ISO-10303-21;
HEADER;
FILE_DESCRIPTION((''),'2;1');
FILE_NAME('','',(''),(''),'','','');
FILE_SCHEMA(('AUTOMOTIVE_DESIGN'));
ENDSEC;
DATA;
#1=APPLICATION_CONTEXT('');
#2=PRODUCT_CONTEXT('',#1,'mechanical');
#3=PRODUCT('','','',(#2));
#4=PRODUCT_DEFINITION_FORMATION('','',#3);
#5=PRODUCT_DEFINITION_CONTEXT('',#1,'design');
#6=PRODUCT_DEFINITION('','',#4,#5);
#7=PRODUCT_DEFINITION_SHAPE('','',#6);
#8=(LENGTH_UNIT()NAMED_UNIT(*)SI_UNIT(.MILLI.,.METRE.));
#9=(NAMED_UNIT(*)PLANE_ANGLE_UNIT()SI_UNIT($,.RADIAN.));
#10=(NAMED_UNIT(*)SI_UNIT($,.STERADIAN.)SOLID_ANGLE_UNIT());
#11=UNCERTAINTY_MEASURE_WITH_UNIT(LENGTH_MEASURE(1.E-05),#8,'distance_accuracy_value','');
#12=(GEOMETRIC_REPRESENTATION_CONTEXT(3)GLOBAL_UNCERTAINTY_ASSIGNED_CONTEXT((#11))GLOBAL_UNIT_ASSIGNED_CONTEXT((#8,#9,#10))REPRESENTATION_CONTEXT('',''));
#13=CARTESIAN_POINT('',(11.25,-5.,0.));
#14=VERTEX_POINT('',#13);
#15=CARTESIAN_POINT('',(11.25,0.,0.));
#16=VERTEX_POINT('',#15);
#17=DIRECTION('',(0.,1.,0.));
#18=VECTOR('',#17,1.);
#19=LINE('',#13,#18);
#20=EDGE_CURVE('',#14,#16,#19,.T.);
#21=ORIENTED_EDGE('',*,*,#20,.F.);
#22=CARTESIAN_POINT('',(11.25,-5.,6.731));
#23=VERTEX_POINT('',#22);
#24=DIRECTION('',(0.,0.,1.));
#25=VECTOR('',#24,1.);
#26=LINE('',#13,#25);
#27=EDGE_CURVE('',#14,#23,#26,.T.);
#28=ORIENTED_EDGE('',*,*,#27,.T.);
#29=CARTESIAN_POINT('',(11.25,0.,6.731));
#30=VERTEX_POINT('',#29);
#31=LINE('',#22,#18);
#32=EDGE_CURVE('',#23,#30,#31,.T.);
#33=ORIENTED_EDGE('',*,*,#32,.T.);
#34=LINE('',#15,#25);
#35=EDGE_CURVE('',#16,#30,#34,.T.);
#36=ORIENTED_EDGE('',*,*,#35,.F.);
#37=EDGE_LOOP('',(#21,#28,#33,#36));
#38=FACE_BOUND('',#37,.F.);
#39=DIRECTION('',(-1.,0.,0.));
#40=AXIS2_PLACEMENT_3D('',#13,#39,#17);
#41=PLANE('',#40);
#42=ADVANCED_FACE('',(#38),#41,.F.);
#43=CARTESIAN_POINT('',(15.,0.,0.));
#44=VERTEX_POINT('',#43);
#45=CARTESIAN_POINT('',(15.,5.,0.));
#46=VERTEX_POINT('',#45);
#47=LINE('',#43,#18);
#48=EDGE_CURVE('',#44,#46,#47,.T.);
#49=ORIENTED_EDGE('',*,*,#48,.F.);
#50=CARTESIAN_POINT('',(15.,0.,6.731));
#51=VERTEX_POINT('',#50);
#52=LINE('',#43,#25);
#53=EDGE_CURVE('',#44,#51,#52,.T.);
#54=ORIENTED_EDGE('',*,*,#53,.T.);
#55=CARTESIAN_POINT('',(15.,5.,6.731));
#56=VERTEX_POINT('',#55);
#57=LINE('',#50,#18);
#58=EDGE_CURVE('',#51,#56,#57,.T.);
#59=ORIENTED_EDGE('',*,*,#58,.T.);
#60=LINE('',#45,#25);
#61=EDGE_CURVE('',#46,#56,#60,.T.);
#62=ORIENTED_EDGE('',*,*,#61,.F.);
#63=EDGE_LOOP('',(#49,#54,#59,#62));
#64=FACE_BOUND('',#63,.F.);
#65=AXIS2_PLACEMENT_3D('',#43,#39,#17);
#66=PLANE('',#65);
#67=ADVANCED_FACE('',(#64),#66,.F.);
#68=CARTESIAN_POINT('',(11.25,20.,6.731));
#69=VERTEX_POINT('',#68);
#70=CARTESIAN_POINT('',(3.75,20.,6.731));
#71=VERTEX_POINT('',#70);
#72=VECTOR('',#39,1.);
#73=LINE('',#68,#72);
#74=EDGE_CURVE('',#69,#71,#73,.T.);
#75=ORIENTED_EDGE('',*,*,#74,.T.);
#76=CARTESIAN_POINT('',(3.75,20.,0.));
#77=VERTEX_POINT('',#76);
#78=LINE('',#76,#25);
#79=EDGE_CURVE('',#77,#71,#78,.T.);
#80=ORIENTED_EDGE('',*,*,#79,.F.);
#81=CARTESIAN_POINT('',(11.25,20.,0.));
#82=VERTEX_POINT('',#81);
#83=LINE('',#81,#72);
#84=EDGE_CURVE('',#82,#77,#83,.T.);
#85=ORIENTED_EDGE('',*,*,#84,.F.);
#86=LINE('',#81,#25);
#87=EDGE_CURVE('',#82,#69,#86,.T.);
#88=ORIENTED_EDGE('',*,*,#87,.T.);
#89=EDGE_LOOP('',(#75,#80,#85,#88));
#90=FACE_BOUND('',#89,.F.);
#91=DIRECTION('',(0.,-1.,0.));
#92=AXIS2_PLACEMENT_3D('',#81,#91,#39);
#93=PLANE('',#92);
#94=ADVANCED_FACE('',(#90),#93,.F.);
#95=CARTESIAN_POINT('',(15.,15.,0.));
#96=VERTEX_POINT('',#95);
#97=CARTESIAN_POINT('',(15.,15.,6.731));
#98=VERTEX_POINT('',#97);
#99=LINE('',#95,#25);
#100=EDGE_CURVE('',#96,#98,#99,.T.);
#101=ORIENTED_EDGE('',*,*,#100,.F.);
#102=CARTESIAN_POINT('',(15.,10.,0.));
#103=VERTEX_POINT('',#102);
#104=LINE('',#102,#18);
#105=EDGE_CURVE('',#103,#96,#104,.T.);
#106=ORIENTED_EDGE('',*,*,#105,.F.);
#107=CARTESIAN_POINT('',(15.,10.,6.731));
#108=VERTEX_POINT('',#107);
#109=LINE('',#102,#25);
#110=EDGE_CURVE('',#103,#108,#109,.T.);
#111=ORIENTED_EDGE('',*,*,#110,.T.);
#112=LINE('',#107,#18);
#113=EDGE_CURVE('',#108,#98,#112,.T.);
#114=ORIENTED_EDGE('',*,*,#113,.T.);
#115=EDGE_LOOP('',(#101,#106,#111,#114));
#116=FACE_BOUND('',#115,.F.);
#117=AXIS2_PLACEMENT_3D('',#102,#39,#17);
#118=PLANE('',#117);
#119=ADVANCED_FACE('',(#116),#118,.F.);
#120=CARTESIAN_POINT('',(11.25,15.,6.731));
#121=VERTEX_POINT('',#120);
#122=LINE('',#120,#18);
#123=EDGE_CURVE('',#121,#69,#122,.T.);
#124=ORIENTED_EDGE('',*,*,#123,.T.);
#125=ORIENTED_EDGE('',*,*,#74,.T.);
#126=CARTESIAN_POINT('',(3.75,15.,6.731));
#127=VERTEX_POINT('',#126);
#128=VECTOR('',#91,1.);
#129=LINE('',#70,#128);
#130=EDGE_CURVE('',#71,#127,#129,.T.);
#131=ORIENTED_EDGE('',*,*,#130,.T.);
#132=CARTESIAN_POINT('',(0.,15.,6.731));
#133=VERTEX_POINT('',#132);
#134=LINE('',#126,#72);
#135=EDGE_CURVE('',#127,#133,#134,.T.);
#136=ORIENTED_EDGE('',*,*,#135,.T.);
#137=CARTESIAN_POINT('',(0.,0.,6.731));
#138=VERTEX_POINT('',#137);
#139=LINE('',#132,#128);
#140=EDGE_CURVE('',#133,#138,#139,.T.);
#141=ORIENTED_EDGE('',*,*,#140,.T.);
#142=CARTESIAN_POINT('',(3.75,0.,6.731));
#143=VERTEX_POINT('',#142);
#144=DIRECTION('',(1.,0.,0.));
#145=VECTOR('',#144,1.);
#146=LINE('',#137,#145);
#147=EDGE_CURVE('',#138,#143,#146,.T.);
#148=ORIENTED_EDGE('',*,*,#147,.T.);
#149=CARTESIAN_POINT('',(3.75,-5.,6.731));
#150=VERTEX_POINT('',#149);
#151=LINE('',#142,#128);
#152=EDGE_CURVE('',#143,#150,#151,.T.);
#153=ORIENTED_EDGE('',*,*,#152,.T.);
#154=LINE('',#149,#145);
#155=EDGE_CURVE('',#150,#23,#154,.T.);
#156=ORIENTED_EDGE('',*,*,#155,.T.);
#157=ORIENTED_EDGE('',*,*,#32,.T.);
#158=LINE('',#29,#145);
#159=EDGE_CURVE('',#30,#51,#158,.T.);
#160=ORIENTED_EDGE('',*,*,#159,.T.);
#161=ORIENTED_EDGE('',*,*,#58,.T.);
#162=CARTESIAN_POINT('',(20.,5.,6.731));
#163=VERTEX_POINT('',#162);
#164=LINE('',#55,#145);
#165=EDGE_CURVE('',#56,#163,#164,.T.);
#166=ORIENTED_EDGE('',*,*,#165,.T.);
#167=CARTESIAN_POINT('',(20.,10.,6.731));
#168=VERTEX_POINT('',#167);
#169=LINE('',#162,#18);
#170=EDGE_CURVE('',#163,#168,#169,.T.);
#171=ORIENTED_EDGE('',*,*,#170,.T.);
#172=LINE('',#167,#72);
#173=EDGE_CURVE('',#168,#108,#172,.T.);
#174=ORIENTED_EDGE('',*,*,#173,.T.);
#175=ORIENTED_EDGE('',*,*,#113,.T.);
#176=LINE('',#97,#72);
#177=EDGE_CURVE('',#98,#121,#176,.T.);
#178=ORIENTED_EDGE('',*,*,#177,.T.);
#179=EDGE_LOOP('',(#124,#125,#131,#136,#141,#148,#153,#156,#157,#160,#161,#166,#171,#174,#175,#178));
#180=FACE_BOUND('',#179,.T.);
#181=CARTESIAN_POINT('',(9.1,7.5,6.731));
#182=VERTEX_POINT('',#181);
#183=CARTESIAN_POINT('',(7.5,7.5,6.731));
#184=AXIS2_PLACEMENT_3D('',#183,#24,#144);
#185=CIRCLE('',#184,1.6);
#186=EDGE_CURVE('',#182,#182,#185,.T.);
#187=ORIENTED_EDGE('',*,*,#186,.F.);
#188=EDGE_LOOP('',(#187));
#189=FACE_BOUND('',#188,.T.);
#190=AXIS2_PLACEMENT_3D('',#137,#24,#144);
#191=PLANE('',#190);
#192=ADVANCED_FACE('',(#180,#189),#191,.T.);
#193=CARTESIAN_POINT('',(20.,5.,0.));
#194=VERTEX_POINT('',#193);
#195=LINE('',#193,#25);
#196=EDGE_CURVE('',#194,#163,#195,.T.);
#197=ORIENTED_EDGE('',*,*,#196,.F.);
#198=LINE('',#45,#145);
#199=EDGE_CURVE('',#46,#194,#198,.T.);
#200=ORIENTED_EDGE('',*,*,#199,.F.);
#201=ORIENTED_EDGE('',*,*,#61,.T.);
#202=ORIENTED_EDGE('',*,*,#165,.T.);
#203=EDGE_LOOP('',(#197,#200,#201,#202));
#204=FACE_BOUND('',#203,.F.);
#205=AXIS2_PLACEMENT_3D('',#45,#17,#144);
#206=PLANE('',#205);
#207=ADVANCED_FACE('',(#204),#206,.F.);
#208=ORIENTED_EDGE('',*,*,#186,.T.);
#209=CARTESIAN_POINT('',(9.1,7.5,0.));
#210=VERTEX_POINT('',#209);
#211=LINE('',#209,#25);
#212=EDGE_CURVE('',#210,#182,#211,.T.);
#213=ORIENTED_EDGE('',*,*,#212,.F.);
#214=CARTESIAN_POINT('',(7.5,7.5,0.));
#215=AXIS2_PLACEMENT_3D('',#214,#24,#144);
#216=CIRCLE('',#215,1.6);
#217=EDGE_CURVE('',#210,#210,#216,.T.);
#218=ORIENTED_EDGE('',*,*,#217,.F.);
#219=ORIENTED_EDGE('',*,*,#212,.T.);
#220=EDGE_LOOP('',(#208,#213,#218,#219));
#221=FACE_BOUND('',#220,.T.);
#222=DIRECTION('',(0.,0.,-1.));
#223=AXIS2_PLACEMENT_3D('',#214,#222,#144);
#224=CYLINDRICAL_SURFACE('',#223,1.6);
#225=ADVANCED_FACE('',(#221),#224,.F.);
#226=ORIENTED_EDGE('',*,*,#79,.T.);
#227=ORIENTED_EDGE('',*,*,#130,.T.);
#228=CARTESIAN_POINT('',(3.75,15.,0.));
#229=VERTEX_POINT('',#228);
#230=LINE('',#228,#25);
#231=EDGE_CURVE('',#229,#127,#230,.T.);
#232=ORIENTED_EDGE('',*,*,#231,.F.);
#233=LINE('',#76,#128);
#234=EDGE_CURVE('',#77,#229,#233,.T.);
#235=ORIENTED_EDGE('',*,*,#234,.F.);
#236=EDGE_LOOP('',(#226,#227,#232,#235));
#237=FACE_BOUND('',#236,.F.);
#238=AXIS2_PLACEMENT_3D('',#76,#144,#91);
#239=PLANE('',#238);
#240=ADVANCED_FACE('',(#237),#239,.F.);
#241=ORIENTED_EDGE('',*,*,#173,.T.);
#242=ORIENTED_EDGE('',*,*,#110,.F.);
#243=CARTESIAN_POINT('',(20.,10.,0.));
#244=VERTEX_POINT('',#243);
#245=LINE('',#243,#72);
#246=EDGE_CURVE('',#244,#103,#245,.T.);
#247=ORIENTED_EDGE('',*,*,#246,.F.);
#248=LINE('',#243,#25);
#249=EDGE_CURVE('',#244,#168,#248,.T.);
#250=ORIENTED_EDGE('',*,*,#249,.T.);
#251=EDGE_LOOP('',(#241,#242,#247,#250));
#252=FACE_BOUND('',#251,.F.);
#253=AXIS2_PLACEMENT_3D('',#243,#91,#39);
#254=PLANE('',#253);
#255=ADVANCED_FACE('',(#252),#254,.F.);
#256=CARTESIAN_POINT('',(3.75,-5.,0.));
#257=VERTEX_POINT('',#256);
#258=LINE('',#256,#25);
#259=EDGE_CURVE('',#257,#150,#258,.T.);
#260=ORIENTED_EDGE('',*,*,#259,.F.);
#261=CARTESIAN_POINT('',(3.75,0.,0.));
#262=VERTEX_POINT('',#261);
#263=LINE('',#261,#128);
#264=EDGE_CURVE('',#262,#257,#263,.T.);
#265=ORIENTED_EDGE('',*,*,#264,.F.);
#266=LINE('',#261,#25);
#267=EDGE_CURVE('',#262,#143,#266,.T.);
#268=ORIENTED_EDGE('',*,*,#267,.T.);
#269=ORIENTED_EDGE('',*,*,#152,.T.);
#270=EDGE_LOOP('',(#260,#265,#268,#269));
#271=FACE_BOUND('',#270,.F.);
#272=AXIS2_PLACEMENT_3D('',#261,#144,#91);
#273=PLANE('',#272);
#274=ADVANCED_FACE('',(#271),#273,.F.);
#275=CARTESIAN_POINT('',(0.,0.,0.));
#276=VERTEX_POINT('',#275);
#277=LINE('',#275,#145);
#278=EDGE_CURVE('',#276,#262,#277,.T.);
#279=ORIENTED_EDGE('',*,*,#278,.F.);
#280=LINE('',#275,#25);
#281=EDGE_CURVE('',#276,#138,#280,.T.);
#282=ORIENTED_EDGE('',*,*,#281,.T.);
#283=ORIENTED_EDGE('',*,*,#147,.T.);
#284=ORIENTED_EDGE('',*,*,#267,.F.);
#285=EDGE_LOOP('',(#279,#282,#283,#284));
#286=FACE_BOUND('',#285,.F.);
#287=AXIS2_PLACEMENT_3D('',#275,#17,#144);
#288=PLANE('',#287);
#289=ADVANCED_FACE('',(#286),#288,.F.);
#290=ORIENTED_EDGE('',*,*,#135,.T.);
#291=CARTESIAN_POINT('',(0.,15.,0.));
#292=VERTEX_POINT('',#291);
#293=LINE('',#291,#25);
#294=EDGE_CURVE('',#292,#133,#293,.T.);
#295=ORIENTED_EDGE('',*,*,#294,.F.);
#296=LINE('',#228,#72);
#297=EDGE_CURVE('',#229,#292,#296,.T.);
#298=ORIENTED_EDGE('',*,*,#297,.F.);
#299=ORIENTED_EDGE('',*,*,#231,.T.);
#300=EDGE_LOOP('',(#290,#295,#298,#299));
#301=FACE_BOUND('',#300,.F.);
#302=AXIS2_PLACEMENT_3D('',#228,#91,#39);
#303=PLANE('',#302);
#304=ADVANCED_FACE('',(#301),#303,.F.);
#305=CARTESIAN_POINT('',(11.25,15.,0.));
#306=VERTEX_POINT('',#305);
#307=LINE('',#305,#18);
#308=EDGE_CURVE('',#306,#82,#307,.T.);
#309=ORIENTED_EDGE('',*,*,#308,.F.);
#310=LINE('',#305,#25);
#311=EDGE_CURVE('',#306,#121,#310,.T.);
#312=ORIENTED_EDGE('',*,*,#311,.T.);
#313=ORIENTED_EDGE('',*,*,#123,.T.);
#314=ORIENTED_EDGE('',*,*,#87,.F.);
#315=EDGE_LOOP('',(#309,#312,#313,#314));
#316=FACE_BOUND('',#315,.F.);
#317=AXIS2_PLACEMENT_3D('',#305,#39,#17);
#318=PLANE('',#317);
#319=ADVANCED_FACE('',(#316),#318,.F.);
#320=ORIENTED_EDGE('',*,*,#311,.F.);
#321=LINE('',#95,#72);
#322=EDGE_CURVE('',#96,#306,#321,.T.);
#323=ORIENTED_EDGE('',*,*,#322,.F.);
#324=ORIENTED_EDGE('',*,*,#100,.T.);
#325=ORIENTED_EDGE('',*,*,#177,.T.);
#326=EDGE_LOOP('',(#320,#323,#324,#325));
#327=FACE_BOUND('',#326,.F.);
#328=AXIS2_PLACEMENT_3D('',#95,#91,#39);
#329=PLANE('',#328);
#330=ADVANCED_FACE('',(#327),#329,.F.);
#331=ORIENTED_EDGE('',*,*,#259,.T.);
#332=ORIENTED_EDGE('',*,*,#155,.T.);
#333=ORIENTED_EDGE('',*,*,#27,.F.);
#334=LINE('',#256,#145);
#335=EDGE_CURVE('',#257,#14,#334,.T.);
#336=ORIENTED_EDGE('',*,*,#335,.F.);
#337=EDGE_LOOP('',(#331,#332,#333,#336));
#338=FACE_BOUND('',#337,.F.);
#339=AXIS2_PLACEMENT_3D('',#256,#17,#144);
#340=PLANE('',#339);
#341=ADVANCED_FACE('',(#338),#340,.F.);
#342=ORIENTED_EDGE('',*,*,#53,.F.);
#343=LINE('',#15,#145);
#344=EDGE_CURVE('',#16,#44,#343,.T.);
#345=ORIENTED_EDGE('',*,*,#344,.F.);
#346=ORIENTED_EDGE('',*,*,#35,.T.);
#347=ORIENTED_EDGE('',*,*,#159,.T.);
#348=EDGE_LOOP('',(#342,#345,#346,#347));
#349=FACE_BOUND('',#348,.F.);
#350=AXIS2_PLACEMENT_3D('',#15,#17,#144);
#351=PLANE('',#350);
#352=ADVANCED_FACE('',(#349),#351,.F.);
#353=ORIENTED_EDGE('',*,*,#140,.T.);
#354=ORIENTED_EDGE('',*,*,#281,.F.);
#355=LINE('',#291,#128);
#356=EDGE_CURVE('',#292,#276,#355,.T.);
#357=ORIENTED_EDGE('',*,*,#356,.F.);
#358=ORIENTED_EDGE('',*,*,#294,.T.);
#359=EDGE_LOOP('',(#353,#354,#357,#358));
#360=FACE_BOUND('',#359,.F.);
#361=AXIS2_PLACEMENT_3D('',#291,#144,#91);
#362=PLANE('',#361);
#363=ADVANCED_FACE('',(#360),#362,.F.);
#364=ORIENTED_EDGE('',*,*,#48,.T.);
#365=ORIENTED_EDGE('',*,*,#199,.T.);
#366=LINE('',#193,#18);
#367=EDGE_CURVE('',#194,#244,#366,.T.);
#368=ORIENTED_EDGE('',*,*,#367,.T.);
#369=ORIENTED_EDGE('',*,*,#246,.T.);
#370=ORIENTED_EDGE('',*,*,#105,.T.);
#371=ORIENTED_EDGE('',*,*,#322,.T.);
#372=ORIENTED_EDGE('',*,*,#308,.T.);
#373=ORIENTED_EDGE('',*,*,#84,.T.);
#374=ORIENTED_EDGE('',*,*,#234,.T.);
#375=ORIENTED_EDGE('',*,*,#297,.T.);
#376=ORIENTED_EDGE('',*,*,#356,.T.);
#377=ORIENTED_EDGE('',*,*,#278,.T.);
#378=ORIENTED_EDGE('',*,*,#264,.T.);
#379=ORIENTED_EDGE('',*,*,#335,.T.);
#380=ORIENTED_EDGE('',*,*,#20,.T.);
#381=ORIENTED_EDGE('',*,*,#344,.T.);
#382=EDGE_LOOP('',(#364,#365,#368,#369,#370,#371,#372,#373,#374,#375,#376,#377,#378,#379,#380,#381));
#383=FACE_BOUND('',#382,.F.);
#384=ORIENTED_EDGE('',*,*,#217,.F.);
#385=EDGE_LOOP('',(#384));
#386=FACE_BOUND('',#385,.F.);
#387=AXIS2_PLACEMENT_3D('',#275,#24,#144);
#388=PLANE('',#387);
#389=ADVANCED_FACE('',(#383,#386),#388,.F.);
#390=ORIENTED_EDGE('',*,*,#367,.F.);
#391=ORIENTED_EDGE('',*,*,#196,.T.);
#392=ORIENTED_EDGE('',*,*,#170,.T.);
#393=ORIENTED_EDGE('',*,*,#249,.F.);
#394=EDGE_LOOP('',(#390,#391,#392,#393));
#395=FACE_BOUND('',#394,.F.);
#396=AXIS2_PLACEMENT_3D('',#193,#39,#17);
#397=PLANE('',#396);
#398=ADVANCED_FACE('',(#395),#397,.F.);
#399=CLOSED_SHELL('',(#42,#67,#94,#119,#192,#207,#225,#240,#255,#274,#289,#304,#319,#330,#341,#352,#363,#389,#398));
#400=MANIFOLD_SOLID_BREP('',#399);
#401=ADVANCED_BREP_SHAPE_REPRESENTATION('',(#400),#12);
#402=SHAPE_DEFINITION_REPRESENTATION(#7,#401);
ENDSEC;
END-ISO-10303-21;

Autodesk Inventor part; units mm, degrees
ref_plane "YZ Plane" through (0, 0, 0) normal (1, 0, 0) x (0, 1, 0)
ref_plane "XZ Plane" through (0, 0, 0) normal (0, 1, 0) x (-1, 0, 0)
ref_plane "XY Plane" through (0, 0, 0) normal (0, 0, 1) x (1, 0, 0)
sketch "Sketch1" plane through (0, 0, 0) normal (0, 0, 1) x (1, 0, 0)
  line L0 (0, 0) -> (3.75, 0)
  line L1 (3.75, 0) -> (3.75, -5)
  line L2 (3.75, -5) -> (11.25, -5)
  line L3 (11.25, -5) -> (11.25, 0)
  line L4 (11.25, 0) -> (15, 0)
  line L5 (15, 0) -> (15, 5)
  line L6 (15, 5) -> (20, 5)
  line L7 (20, 5) -> (20, 10)
  line L8 (20, 10) -> (15, 10)
  line L9 (15, 10) -> (15, 15)
  line L10 (15, 15) -> (11.25, 15)
  line L11 (11.25, 15) -> (11.25, 20)
  line L12 (11.25, 20) -> (3.75, 20)
  line L13 (3.75, 20) -> (3.75, 15)
  line L14 (3.75, 15) -> (0, 15)
  line L15 (0, 15) -> (0, 0)
  circle A0 centre (7.5, 7.5) radius 1.6
  point P0 (20, 7.5)
  point P1 (0, 7.5)
  point P2 (7.5, -5)
  dimension "d0" = 5
  dimension "d1" = 15
  dimension "d2" = 5
  dimension "d3" = 7.5
  dimension "d4" = 15
  dimension "d5" = 3.2
extrude "Extrusion1" add sketch "Sketch1" along normal blind 6.731
equation "\"d7\" = THICKB"
equation "\"THICKA\" = 3.175"
equation "\"THICKB\" = 6.731"
equation "\"THICKC\" = 12.7"
equation "\"MAGDIA\" = 9.5"
equation "\"BALLDIA\" = 12"
equation "\"THICKPLY\" = 5"
properties part number "Frame_Upperr_Vertical_Plate_B"
